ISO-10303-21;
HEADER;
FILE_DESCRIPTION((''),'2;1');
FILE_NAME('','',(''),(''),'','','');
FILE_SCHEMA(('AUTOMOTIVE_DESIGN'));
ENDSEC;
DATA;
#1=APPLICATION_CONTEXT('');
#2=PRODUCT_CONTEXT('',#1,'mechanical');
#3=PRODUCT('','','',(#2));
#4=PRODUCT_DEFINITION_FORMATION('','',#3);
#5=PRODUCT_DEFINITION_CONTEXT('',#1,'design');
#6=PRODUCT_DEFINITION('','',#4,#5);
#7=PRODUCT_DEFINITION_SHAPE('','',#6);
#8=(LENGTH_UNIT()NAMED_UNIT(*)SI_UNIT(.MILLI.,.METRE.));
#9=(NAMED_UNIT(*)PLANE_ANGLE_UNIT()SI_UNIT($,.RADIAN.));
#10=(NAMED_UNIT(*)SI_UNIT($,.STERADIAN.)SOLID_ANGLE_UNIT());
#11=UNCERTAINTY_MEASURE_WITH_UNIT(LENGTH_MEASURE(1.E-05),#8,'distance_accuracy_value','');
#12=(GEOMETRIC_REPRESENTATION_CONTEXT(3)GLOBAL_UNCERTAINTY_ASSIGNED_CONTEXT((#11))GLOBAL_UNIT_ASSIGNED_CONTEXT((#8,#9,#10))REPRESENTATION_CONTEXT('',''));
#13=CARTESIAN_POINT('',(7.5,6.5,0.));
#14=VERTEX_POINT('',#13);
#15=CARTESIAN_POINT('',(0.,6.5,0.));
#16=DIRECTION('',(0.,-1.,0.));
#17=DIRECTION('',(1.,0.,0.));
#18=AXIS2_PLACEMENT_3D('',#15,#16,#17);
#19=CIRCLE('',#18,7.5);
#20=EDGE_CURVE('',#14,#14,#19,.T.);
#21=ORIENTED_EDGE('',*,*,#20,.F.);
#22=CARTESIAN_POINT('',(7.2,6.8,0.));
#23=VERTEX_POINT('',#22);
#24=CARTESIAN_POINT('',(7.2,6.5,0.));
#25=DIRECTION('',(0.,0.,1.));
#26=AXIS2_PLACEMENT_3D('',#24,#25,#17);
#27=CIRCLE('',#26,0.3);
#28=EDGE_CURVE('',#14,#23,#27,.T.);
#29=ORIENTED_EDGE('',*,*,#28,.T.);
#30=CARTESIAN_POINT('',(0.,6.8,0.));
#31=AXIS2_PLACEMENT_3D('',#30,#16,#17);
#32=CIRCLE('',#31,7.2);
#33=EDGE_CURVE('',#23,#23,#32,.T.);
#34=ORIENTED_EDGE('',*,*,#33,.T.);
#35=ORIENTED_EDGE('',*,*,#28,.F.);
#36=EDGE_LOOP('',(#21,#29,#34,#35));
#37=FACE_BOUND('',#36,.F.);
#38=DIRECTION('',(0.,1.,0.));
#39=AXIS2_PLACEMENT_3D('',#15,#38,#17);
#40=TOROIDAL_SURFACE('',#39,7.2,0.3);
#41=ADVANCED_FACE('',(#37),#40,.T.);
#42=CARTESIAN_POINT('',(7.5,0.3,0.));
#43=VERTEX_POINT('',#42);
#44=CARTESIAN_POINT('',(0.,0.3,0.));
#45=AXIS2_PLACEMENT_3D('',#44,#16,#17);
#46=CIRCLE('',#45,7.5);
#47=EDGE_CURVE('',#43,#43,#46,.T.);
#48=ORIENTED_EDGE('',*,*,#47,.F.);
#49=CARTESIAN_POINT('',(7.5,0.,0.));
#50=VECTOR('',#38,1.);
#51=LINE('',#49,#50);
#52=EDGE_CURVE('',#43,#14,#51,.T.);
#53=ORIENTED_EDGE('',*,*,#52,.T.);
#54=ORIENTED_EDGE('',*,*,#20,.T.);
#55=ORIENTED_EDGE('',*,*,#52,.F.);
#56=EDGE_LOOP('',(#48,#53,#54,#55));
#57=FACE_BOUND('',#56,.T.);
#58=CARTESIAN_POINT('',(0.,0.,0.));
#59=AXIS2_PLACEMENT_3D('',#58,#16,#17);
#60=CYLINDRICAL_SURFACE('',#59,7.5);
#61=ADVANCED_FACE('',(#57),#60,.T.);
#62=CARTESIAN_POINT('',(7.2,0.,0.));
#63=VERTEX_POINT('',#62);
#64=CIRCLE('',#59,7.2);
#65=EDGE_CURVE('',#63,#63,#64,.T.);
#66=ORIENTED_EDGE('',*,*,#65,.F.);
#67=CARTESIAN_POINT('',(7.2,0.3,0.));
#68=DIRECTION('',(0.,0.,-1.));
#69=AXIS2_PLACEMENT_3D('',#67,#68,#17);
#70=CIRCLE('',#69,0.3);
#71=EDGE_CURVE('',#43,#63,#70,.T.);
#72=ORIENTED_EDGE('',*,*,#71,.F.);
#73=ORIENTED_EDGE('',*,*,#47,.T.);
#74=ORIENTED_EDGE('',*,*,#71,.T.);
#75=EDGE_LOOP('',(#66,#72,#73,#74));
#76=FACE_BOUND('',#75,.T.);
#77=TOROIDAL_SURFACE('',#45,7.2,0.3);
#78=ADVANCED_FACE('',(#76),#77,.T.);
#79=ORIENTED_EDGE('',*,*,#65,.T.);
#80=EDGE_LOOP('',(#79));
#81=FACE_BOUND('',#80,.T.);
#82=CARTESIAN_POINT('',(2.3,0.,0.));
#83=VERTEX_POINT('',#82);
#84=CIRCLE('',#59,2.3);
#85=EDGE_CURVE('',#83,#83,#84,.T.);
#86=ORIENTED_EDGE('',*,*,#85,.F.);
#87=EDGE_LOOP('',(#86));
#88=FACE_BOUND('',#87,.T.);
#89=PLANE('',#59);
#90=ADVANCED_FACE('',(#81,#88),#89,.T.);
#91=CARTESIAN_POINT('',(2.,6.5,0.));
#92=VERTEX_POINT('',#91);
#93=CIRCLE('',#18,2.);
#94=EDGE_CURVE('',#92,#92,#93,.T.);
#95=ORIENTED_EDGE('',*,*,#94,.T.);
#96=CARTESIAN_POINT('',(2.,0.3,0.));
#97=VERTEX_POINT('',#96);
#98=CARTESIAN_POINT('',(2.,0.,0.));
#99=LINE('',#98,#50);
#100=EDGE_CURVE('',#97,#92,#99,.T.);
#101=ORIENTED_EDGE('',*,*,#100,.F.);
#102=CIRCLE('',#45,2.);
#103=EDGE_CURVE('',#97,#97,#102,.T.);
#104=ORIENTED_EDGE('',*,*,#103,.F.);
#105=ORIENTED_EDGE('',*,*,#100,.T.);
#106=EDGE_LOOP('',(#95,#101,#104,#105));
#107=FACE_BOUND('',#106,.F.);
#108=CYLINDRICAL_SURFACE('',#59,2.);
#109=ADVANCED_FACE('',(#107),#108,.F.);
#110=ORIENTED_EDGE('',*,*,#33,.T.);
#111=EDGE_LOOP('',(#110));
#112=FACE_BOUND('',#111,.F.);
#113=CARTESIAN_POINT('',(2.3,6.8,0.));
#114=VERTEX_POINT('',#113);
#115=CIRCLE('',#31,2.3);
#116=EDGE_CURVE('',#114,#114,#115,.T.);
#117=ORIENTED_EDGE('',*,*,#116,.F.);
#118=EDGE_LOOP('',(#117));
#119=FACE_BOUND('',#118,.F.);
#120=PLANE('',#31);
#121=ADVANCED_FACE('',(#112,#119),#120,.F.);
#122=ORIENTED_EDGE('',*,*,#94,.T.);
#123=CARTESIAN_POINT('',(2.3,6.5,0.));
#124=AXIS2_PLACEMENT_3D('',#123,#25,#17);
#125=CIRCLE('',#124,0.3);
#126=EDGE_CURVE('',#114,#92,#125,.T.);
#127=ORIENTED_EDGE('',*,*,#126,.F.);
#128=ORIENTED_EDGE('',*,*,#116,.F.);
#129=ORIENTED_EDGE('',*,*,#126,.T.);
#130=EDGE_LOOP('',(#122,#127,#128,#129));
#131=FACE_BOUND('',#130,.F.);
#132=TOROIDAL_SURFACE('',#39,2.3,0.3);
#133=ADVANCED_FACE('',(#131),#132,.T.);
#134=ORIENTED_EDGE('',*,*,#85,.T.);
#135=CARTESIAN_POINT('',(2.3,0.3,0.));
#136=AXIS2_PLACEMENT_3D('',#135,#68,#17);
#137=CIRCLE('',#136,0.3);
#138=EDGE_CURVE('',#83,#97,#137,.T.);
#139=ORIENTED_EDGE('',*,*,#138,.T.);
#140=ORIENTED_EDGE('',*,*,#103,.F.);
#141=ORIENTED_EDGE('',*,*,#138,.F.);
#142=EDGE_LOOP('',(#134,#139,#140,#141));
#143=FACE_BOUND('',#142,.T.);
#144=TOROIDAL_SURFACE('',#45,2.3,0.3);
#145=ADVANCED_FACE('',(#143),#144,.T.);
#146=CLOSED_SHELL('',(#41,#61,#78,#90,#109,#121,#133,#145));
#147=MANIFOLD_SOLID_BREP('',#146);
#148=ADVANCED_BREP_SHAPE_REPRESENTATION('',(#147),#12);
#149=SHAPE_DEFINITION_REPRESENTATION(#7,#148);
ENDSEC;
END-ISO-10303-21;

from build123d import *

# Parameters (mm, degrees)
F0_R     = 7.5
F1_DEPTH = 6.8
F2_R     = 2
F3_DEPTH = 24.4
F4_R     = 0.3
F5_R     = 0.3


with BuildPart() as f1:
    # F0 (on Front) → F1 (new body)
    with BuildSketch(Plane.XZ):
        Circle(F0_R)
    extrude(amount=-F1_DEPTH)

    # F2 (on face) → F3 (cut)
    with BuildSketch(Plane.XZ):
        Circle(F2_R)
    extrude(amount=-F3_DEPTH, mode=Mode.SUBTRACT)

    # F4
    f4_edges = [f1.edges().sort_by_distance(p)[0] for p in [
        (-7.5, 0, 0),
        (-2, 0, 0),
        (-7.5, 6.8, 0),
    ]]
    fillet(f4_edges, radius=F4_R)

    # F5
    f5_edges = [f1.edges().sort_by_distance(p)[0] for p in [
        (-2, 6.8, 0),
    ]]
    fillet(f5_edges, radius=F5_R)


solid = f1.part
